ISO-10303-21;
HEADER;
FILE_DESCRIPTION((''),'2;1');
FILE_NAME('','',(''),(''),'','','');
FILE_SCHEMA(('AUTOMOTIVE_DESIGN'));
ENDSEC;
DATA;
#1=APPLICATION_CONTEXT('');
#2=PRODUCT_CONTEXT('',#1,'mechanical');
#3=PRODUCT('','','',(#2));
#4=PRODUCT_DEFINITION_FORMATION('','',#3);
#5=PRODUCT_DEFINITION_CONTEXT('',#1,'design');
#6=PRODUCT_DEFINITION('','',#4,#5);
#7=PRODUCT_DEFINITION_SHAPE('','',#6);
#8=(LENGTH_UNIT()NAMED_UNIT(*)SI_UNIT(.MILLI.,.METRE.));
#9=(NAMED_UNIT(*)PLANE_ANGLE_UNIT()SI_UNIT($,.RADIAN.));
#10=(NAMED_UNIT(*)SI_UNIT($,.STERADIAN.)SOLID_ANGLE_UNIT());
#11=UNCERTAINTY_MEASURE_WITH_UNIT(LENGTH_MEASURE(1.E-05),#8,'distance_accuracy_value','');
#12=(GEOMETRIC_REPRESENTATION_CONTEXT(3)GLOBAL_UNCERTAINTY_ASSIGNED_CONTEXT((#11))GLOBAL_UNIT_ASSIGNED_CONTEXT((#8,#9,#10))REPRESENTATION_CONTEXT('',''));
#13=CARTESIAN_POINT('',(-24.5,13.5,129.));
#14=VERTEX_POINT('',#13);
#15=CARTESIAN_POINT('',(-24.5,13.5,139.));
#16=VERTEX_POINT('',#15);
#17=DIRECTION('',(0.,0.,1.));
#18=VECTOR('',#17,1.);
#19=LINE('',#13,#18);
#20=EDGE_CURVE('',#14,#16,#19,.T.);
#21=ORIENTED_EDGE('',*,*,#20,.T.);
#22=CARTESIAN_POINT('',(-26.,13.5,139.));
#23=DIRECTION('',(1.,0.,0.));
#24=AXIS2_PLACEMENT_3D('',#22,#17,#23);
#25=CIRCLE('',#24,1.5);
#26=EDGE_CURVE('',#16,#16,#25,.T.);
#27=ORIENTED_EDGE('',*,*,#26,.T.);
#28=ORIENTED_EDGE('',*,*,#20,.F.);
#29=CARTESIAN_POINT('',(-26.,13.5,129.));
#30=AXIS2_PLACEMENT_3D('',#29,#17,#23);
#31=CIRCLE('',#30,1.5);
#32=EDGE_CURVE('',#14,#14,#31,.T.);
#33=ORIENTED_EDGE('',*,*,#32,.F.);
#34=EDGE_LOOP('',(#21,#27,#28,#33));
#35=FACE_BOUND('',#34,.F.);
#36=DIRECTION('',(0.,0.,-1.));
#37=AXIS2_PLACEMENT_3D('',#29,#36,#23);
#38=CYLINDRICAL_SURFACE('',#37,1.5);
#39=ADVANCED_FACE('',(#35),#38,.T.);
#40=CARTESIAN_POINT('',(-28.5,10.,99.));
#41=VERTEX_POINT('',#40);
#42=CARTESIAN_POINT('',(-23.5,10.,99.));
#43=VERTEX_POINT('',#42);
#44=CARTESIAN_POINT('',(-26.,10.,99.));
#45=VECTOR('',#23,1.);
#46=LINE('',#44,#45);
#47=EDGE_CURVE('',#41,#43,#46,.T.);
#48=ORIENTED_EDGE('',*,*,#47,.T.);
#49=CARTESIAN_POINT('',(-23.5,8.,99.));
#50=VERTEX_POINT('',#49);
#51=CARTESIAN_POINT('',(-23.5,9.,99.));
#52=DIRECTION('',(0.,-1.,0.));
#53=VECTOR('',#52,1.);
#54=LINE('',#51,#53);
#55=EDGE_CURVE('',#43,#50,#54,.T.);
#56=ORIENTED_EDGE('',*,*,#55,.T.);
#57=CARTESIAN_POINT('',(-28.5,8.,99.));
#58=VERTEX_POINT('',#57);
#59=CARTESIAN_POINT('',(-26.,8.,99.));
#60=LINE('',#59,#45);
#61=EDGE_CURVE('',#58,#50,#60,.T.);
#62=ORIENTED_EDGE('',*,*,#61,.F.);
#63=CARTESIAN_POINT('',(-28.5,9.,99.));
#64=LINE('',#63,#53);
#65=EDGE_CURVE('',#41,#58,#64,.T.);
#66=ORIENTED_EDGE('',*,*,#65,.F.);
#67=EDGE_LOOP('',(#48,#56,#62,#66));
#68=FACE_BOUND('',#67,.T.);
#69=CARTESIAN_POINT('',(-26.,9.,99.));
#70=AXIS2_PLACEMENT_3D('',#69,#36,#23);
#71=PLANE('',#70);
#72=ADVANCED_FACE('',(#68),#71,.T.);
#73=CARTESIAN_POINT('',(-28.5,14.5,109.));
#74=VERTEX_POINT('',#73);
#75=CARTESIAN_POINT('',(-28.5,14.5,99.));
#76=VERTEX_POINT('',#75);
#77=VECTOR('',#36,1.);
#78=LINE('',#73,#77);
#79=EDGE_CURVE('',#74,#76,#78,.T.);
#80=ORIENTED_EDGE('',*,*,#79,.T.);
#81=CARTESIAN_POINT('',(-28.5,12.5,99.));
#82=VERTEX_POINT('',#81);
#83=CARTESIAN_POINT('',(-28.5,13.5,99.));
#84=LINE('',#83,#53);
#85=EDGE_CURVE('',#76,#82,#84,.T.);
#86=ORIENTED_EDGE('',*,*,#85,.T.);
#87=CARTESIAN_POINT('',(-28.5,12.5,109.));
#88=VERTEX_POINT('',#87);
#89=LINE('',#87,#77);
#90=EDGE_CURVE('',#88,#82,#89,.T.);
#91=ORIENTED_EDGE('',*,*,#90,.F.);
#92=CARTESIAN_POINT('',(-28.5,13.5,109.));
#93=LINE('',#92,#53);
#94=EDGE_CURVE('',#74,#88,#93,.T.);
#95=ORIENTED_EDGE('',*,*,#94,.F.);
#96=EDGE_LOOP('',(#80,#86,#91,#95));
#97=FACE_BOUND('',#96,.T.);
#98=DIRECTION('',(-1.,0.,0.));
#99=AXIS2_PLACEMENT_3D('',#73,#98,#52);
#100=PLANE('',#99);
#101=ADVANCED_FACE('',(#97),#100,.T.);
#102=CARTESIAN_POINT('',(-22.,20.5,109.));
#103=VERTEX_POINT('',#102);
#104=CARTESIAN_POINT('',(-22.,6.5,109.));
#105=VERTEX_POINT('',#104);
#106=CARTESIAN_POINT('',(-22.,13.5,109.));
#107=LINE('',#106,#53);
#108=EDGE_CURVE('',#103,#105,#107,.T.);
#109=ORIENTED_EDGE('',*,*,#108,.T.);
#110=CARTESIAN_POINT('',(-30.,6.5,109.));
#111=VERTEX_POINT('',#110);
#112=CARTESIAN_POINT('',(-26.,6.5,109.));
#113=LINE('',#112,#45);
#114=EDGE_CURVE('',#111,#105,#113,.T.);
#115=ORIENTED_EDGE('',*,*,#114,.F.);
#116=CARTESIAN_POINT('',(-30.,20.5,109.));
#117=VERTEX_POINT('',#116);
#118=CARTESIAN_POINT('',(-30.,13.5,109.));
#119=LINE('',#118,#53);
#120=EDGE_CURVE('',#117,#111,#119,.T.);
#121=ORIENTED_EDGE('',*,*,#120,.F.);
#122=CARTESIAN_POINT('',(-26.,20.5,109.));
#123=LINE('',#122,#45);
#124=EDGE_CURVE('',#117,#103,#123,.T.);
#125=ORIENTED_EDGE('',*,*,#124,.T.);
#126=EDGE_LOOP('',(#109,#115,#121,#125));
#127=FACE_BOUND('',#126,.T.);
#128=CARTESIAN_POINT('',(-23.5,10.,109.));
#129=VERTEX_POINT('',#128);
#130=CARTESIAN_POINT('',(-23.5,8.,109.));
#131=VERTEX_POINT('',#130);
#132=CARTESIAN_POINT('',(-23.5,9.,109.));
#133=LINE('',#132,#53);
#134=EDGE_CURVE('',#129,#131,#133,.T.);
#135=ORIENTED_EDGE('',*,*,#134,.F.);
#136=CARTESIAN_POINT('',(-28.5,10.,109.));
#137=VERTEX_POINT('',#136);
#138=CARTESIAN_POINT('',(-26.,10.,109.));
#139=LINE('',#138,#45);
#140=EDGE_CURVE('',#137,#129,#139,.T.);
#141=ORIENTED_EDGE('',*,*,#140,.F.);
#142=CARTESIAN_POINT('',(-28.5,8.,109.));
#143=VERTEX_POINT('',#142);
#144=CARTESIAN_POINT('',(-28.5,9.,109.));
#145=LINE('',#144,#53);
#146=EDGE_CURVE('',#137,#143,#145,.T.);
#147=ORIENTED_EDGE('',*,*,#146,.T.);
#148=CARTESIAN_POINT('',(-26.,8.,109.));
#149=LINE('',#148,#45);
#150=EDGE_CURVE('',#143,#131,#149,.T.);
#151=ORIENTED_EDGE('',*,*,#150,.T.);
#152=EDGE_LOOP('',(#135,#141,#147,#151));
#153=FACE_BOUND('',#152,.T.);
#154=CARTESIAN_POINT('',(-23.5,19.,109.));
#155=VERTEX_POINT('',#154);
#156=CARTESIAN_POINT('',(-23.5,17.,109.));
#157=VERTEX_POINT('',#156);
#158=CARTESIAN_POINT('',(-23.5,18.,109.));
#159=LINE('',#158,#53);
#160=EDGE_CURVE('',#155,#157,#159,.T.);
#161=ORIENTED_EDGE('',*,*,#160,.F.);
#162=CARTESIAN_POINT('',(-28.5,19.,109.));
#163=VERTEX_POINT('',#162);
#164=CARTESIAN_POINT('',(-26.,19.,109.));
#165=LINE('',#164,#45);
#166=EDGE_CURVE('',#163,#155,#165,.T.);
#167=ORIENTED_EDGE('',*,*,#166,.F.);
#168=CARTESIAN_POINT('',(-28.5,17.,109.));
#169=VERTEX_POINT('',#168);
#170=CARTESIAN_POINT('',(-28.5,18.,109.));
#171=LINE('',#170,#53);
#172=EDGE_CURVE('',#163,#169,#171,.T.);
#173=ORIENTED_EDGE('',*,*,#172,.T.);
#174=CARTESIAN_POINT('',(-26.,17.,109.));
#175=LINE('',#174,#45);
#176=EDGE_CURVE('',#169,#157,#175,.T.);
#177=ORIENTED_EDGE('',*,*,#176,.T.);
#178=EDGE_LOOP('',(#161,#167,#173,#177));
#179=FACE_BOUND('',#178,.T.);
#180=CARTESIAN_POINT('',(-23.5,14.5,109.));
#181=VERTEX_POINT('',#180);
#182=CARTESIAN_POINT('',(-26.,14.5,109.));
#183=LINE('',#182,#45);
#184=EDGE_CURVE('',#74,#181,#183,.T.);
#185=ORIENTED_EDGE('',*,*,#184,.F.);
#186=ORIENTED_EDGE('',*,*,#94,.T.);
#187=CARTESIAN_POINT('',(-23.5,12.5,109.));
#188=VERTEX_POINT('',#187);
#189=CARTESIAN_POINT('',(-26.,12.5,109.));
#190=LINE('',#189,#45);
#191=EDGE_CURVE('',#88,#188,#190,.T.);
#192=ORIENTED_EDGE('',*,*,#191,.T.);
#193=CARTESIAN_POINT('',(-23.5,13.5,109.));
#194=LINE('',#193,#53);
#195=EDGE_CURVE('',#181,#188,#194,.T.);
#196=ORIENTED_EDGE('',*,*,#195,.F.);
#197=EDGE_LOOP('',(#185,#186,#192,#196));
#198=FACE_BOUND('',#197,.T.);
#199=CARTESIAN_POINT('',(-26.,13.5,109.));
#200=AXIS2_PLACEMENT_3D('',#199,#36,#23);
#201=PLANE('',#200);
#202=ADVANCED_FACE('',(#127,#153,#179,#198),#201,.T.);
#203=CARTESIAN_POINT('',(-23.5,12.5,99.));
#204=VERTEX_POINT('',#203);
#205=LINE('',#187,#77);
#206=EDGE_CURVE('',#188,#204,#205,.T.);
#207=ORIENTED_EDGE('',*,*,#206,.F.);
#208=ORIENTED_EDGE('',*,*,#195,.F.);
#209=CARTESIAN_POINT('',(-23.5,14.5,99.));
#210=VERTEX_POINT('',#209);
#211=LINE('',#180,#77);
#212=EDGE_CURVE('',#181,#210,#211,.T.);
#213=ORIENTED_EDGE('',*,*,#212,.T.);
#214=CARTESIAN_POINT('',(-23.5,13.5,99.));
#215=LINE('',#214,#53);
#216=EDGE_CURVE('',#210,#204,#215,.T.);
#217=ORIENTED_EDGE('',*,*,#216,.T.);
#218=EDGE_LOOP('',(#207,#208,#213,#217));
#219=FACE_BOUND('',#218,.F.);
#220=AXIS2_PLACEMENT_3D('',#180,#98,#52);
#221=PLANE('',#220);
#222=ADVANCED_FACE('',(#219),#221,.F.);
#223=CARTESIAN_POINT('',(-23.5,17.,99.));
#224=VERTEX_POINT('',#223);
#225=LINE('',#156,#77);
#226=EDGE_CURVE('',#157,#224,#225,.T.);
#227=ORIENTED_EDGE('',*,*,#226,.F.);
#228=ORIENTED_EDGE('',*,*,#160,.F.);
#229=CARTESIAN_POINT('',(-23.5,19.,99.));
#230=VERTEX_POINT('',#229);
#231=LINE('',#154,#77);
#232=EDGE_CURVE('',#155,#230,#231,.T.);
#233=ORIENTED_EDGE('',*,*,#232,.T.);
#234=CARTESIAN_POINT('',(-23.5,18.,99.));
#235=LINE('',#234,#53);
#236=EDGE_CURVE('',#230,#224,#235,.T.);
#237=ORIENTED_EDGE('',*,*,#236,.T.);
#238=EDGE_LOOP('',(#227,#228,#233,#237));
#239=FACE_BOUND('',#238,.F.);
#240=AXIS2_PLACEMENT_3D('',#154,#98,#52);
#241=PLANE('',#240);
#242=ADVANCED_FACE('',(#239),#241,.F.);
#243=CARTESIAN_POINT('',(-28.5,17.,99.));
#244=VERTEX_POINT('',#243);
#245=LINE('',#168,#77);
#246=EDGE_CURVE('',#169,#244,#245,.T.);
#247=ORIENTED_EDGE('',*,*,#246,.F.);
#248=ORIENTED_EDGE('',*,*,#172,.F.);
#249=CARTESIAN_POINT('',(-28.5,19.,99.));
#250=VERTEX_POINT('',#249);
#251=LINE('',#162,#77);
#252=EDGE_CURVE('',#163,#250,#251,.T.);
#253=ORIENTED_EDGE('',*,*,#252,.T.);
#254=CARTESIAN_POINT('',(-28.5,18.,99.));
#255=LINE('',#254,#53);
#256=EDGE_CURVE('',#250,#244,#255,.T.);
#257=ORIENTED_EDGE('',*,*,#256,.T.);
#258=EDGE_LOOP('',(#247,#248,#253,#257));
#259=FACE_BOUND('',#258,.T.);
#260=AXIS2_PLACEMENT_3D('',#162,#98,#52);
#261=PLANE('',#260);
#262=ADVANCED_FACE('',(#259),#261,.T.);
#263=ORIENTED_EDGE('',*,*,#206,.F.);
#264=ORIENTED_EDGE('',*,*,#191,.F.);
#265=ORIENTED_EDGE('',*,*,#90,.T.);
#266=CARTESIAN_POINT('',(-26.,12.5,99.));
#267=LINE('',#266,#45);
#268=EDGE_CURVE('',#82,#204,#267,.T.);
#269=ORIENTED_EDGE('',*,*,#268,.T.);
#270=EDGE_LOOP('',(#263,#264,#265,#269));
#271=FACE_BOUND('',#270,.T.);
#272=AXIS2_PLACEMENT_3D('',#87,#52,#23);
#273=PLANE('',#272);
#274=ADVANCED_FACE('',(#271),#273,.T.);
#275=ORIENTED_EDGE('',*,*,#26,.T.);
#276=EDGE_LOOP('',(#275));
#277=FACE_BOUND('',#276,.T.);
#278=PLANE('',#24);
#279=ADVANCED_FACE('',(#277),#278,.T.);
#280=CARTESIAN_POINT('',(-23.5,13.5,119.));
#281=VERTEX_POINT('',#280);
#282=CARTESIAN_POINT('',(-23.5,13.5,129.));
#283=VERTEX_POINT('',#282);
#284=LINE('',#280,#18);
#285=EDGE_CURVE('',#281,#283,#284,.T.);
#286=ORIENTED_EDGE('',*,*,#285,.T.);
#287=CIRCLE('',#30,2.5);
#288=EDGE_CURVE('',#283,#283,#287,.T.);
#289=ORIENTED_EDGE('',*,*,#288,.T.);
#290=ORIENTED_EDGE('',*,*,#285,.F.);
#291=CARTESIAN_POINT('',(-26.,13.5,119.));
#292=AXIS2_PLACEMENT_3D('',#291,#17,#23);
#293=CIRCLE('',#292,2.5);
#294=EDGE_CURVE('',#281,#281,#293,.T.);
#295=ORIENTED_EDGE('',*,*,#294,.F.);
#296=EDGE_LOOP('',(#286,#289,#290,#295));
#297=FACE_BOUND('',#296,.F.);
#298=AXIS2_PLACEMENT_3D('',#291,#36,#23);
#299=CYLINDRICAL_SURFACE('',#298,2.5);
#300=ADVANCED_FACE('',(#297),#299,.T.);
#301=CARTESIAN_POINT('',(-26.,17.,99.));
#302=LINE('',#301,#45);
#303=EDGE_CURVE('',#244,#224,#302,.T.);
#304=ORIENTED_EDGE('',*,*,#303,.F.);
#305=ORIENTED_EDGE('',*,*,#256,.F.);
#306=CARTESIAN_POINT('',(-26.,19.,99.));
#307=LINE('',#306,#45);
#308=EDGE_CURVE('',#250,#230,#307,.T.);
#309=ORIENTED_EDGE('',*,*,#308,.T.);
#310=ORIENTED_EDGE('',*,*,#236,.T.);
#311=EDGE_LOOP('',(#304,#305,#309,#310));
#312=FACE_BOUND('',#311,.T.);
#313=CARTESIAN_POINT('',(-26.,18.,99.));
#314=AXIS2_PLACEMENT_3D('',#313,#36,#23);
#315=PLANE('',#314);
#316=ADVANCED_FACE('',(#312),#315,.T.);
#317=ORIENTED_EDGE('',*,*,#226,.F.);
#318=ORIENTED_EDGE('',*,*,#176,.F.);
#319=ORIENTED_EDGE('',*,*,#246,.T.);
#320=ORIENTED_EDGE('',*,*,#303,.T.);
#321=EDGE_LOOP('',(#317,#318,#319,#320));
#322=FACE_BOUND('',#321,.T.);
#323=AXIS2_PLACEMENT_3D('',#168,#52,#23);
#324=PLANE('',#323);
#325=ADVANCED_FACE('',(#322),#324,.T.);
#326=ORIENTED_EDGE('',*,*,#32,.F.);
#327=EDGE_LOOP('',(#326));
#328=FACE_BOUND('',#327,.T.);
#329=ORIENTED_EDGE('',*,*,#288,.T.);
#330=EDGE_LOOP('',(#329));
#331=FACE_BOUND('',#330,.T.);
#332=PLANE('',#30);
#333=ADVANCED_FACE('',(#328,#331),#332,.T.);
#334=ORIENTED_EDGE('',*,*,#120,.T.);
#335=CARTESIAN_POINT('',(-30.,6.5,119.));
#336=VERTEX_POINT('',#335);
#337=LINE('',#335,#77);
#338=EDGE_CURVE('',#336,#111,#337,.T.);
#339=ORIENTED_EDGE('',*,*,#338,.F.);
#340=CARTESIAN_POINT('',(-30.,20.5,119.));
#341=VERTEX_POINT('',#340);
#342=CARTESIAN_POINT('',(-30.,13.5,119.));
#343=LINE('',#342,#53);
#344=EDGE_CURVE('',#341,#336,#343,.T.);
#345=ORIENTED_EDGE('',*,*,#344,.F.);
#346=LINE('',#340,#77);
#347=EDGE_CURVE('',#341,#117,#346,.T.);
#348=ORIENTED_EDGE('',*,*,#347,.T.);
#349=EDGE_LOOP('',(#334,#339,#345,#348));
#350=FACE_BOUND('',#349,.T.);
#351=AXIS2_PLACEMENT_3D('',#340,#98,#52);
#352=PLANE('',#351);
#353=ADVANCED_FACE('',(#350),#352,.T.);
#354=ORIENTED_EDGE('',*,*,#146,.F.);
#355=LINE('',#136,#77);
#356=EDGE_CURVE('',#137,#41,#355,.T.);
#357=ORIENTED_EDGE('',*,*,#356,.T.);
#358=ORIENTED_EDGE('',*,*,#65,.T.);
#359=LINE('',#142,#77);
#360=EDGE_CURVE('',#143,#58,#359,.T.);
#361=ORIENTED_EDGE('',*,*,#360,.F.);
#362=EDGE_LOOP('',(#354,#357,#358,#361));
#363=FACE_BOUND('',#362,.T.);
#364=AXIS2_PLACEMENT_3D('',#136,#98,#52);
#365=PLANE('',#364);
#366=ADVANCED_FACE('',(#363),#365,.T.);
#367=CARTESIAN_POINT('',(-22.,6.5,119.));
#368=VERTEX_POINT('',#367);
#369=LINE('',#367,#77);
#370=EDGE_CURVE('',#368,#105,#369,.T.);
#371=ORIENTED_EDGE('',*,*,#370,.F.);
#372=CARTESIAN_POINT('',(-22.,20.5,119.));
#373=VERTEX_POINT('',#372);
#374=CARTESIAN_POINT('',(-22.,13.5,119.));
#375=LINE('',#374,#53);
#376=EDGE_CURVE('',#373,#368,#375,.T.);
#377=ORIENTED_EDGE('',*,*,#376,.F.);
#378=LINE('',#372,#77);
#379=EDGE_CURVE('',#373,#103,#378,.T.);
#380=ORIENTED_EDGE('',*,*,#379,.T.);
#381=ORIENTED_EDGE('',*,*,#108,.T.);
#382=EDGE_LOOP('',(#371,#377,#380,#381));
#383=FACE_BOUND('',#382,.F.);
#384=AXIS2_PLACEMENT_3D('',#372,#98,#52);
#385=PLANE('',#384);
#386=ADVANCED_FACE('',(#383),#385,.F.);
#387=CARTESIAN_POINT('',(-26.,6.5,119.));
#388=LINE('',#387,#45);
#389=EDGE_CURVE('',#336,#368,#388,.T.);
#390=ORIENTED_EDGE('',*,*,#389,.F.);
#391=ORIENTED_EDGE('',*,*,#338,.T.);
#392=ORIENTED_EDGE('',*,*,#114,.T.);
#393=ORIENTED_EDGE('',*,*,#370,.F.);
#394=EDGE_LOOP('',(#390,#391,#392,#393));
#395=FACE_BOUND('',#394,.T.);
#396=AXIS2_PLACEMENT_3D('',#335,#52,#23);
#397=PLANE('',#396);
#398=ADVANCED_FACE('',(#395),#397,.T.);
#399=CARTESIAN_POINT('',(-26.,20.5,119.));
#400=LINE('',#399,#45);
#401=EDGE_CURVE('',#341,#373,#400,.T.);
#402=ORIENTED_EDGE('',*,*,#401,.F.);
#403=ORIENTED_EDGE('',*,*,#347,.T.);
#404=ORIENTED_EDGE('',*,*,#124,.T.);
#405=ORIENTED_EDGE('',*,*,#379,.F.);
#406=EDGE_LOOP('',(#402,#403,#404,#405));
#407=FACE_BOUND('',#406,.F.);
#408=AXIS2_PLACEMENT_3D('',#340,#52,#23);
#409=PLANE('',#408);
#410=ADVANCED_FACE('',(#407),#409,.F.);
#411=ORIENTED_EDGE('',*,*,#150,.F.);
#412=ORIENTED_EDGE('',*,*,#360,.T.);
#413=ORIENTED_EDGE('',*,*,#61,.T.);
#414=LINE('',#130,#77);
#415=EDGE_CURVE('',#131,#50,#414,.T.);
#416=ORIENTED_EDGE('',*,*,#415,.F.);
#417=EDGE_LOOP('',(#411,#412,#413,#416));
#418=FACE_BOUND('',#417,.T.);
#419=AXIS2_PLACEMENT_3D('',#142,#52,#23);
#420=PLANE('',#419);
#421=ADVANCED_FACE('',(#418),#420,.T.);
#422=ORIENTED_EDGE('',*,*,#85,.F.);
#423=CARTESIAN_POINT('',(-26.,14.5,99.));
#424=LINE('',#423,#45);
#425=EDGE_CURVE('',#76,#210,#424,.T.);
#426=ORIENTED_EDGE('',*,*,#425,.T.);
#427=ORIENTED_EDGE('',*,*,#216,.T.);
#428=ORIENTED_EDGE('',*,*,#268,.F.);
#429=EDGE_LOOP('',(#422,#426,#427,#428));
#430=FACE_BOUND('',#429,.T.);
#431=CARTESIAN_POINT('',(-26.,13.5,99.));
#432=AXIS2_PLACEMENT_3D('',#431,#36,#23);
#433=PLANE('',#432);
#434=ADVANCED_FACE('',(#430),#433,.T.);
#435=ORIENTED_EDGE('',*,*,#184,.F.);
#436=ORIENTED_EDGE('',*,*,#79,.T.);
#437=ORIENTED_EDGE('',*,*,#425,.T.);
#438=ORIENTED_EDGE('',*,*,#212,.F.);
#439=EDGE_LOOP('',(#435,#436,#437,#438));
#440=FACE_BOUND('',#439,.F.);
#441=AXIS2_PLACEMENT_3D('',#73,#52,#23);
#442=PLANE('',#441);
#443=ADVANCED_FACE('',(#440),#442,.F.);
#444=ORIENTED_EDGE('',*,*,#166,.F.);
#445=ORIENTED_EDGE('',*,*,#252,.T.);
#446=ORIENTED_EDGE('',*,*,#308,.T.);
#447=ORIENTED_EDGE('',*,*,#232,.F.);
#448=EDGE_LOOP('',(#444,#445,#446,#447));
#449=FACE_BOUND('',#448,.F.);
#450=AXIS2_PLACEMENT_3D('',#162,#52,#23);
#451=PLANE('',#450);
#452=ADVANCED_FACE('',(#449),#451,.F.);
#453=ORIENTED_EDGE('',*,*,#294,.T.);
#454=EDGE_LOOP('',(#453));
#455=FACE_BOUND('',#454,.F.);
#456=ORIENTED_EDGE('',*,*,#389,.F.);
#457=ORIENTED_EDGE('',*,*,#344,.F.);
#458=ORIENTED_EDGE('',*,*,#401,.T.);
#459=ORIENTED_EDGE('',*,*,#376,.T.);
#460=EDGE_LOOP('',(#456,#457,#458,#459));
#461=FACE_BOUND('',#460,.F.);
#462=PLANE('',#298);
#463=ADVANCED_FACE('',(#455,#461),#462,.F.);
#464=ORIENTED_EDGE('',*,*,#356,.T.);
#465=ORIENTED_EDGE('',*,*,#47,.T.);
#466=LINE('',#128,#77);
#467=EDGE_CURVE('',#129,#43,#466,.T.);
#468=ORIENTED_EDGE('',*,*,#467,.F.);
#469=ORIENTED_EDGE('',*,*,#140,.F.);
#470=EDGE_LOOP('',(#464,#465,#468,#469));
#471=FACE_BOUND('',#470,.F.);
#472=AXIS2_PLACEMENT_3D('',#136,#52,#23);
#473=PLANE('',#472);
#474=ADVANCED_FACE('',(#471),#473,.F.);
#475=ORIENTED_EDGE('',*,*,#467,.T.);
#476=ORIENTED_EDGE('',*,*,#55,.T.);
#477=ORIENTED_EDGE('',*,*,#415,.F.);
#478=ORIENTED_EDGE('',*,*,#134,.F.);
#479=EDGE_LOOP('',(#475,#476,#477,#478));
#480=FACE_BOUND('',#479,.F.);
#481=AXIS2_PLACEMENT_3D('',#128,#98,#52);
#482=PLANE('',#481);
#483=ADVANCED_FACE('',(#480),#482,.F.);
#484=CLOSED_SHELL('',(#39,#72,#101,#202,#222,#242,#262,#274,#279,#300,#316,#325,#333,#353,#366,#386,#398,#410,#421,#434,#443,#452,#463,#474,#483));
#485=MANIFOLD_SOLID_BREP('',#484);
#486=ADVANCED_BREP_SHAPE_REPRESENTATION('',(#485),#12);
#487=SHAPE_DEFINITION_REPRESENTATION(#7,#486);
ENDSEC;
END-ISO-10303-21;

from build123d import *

# Parameters (mm, degrees)
SKETCH022_R             = 2.5
PAD022_DEPTH            = 10
SKETCH023_R             = 1.5
PAD023_DEPTH            = 10
SKETCH024_W             = 8
SKETCH024_H             = 14
PAD024_DEPTH            = 10
SKETCH025_W             = 5
SKETCH025_H             = 2
PAD025_DEPTH            = 10
BODY009_PLACEMENT_ANGLE = 90


with BuildPart() as part:
    # Sketch022 → Pad022 (new body)
    with BuildSketch(Plane.XZ):
        Circle(SKETCH022_R)
    extrude(amount=PAD022_DEPTH)

    # Sketch023 (on Face3 of Pad022) → Pad023 (join)
    with BuildSketch(Plane.XZ.offset(10)):
        Circle(SKETCH023_R)
    extrude(amount=PAD023_DEPTH)

    # Sketch024 (on Face2 of Pad023) → Pad024 (join)
    with BuildSketch(Plane(origin=(0, 0, 0), x_dir=(1, 0, 0), z_dir=(0, 1, 0))):
        Rectangle(SKETCH024_W, SKETCH024_H)
    extrude(amount=PAD024_DEPTH)

    # Sketch025 (on Face5 of Pad024) → Pad025 (join)
    with BuildSketch(Plane(origin=(0, 10, 0), x_dir=(1, 0, 0), z_dir=(0, 1, 0))):
        with Locations((0, 4.5)):
            Rectangle(SKETCH025_W, SKETCH025_H)
        Rectangle(SKETCH025_W, SKETCH025_H)
        with Locations((0, -4.5)):
            Rectangle(SKETCH025_W, SKETCH025_H)
    extrude(amount=PAD025_DEPTH)


with BuildPart() as part_1:
    # Body009 placement: moved
    add(part.part.moved(Location((-26, 13.5, 119))).rotate(Axis((-26, 13.5, 119), (-1, 0, 0)), BODY009_PLACEMENT_ANGLE))


solid = part_1.part
